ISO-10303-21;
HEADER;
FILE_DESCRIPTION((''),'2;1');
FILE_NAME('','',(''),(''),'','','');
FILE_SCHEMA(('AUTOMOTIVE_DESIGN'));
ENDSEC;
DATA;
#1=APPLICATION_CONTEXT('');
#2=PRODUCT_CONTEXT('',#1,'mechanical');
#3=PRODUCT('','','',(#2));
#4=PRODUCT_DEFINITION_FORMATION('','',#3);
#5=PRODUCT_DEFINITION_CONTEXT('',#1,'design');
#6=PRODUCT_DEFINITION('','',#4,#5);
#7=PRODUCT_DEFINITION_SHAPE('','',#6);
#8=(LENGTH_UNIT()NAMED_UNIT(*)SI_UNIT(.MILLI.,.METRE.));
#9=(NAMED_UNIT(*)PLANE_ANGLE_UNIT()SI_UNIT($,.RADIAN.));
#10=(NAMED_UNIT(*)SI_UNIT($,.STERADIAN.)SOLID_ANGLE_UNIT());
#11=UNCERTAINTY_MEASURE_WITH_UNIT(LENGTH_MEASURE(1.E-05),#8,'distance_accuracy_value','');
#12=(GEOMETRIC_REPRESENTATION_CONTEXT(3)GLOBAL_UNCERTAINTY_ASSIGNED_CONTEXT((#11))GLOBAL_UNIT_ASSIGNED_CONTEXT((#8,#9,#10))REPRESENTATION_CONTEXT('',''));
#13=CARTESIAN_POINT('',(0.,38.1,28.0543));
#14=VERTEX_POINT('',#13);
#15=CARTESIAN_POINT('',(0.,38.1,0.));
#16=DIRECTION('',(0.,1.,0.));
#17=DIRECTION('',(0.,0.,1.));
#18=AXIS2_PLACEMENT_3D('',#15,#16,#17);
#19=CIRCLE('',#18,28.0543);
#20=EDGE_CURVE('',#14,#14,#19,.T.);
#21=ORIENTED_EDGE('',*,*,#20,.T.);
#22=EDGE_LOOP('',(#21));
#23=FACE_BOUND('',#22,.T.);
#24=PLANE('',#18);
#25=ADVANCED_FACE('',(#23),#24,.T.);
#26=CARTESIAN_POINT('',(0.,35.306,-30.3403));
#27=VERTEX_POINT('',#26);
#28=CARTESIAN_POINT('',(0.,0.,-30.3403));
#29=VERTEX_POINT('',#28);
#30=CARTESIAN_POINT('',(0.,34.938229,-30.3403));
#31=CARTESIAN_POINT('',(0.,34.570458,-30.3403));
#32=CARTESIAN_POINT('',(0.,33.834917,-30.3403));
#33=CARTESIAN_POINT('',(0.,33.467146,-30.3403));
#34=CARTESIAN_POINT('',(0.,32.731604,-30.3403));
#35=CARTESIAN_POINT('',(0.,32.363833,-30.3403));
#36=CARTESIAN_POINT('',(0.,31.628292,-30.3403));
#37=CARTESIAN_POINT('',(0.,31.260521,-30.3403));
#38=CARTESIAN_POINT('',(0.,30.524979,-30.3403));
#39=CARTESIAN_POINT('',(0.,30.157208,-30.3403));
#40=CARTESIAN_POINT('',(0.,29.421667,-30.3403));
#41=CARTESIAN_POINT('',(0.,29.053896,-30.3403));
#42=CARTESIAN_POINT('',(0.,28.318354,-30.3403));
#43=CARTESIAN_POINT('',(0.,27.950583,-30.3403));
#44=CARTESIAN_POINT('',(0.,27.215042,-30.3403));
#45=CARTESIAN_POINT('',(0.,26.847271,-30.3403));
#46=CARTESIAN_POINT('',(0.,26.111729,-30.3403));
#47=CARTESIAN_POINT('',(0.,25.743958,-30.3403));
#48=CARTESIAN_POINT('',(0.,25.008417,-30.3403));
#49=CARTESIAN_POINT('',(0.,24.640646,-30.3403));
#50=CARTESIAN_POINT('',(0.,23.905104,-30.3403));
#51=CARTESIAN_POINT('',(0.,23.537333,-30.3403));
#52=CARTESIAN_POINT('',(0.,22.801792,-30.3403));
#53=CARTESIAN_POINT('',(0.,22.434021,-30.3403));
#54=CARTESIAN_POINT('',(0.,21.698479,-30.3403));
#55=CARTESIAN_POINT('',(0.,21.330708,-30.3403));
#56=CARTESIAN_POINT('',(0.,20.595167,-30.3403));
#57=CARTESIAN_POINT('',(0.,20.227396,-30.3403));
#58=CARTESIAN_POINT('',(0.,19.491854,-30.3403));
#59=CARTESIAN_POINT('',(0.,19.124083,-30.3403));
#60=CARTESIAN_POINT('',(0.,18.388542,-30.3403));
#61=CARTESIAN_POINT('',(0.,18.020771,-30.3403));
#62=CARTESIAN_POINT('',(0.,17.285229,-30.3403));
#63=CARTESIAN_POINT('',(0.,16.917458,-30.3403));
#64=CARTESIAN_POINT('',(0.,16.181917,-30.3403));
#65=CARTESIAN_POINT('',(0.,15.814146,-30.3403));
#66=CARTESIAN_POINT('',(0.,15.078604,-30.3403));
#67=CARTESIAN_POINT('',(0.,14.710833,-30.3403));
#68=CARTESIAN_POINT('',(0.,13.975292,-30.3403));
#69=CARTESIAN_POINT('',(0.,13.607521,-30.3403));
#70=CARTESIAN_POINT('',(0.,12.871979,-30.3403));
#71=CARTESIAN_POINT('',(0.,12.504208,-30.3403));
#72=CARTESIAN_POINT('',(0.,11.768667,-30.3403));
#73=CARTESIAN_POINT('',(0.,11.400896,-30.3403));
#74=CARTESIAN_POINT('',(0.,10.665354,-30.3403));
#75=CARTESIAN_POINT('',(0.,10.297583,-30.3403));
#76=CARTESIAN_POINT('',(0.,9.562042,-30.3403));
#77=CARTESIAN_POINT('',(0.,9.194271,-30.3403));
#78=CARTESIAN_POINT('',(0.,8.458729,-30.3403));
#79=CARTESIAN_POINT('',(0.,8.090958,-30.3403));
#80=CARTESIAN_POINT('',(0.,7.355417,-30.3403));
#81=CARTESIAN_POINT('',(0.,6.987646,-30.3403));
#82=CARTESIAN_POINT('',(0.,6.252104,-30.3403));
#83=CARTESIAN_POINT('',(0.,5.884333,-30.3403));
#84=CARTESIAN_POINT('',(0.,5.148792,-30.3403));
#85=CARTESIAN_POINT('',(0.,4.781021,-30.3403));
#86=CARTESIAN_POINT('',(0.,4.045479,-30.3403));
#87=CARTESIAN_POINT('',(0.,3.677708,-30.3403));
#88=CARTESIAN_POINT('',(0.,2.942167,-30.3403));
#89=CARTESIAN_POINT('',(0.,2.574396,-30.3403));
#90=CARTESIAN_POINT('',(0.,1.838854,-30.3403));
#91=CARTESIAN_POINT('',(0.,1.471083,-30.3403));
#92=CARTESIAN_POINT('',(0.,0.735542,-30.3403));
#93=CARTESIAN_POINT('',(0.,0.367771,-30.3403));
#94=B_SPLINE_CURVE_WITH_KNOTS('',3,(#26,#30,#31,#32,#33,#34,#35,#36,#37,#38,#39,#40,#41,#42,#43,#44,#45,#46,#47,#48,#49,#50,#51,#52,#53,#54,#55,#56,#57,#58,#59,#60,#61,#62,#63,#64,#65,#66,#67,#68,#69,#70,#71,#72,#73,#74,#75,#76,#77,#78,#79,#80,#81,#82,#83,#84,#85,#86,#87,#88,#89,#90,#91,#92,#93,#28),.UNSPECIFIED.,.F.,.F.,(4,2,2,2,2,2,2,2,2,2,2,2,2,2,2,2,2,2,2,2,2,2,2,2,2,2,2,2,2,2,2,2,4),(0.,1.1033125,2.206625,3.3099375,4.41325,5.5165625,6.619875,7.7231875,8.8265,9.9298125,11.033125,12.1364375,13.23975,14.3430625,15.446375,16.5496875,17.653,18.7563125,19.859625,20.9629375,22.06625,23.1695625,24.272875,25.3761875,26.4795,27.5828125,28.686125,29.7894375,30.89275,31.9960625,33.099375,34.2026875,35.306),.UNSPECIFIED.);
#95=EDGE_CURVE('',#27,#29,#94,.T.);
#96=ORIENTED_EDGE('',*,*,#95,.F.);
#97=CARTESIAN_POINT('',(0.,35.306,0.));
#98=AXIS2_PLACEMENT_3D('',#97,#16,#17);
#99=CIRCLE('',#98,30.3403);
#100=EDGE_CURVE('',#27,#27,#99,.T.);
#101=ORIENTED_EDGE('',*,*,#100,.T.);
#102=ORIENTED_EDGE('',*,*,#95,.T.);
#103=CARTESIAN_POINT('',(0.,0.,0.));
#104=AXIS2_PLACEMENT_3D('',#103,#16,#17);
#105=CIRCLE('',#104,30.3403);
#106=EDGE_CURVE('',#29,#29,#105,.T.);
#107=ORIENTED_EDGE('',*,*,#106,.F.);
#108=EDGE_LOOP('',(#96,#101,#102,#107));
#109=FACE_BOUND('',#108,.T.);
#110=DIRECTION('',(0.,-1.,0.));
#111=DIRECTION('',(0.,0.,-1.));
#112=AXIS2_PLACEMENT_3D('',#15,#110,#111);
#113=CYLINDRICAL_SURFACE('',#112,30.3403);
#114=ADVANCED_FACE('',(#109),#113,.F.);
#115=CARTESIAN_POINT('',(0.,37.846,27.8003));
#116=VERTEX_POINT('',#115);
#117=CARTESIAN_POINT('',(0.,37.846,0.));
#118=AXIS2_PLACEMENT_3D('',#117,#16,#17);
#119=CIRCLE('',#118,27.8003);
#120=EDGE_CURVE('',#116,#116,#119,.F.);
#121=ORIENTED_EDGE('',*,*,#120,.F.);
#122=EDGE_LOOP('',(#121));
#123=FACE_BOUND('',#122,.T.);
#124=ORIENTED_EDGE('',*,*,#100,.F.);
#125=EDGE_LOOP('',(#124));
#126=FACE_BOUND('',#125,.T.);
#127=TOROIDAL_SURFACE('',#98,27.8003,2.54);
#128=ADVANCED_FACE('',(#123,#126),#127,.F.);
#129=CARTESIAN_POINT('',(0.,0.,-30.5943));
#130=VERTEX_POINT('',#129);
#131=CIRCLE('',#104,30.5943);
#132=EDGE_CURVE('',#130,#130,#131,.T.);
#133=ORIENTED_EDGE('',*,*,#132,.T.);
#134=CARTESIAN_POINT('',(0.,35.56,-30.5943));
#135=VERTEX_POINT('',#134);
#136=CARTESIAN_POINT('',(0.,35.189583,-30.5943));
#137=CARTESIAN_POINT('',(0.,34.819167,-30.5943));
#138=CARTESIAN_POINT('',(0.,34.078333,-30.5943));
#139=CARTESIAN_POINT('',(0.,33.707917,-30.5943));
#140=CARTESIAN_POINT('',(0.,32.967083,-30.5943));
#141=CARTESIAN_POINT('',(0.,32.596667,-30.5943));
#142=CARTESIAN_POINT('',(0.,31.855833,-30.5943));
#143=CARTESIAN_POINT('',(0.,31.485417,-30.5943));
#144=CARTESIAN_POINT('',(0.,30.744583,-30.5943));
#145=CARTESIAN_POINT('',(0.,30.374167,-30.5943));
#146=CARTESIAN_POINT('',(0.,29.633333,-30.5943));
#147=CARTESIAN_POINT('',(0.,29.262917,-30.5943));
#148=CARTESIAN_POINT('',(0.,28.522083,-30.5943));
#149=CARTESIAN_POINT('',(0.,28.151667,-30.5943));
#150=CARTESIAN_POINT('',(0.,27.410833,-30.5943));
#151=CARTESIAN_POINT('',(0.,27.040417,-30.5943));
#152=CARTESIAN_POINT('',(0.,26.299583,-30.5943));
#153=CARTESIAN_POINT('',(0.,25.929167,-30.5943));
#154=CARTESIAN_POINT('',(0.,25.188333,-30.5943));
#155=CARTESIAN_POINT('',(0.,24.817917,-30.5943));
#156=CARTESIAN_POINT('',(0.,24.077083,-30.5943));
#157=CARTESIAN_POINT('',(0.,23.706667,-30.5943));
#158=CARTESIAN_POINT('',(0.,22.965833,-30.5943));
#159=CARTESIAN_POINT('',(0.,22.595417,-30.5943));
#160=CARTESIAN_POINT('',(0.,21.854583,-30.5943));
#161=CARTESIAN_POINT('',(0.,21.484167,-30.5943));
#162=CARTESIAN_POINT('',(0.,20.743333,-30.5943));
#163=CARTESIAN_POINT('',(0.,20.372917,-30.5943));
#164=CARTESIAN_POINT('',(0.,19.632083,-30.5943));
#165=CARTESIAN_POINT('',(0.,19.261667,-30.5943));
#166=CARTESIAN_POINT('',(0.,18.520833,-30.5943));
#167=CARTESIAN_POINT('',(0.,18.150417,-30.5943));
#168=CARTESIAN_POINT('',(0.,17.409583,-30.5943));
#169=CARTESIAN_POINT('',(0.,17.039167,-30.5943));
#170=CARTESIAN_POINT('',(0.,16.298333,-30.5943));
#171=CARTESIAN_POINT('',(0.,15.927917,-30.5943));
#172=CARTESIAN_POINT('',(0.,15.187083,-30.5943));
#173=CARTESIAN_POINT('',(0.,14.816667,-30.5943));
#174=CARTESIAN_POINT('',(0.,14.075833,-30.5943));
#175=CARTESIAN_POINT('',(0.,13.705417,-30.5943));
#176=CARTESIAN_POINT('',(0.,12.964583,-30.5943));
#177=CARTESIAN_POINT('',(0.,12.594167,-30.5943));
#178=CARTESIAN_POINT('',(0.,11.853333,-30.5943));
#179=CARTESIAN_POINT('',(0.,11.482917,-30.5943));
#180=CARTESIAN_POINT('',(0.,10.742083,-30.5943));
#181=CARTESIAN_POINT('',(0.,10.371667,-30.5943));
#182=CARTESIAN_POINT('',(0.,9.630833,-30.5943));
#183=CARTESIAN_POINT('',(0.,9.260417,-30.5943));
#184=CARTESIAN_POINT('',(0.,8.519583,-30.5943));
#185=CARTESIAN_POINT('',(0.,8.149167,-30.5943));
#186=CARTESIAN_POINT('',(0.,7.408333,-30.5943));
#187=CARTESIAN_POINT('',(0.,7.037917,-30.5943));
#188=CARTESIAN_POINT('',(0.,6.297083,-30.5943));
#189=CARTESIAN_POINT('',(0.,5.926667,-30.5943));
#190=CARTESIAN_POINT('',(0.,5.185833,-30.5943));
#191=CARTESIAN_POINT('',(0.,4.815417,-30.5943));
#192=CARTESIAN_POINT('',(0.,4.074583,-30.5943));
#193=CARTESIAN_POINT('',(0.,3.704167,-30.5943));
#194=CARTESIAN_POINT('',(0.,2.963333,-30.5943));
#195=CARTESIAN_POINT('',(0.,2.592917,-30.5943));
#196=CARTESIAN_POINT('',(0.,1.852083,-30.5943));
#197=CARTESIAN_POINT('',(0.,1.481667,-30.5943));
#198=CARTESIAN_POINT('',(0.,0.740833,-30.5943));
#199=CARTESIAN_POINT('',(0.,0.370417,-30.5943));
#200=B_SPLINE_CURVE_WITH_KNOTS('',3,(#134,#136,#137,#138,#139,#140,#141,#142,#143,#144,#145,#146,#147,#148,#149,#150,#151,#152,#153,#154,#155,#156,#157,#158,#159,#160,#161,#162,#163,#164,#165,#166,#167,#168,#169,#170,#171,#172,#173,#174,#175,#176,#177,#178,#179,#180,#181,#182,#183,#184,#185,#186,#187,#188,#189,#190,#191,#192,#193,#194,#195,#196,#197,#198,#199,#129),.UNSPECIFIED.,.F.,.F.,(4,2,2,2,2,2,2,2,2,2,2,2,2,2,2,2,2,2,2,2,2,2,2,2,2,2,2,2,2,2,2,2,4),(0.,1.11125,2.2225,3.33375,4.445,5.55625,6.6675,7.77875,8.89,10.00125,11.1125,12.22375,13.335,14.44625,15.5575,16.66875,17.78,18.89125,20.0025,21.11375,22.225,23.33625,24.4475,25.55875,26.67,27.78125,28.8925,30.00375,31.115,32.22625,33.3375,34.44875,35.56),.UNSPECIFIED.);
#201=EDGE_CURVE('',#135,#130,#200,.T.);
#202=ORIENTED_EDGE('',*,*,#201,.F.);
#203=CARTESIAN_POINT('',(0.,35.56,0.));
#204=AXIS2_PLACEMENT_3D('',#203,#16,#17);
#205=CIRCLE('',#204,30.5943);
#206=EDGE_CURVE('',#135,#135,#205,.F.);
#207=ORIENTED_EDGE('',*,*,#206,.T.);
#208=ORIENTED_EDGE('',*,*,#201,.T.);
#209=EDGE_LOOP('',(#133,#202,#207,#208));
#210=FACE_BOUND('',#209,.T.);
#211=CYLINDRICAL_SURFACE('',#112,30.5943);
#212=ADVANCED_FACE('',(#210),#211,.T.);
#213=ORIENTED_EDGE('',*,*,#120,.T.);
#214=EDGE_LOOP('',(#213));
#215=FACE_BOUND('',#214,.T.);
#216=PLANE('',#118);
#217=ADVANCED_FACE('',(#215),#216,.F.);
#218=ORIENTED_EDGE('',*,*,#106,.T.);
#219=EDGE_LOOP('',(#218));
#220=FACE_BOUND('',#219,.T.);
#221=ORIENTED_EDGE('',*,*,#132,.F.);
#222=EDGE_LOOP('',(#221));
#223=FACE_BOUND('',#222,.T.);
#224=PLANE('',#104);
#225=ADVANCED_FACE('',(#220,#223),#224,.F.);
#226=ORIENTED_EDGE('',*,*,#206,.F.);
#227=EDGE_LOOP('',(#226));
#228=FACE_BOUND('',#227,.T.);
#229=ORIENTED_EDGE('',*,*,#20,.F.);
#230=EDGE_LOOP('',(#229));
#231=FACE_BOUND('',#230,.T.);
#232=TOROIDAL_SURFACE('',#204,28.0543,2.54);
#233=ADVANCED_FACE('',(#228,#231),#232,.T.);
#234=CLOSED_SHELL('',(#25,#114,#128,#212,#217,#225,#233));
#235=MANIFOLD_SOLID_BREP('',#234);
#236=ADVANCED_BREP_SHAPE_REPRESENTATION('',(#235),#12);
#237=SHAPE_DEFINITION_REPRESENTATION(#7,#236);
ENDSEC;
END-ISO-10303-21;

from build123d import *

# Parameters (mm, degrees)
SKETCH1_R           = 30.5943
BOSS_EXTRUDE1_DEPTH = 38.1
SHELL1_T            = -0.254
FILLET1_R           = 2.54
FILLET2_R           = 2.54


with BuildPart() as part:
    # Sketch1 → Boss-Extrude1 (new body)
    with BuildSketch(Plane(origin=(0, 0, 0), x_dir=(1, 0, 0), z_dir=(0, 1, 0))):
        with Locations(Location((0, 0, 0), (0, 0, 90))):
            Circle(SKETCH1_R)
    extrude(amount=BOSS_EXTRUDE1_DEPTH)

    # Shell1
    shell1_openings = [part.faces().sort_by_distance(p)[0] for p in [
        (0, 0, 0),
    ]]
    offset(amount=SHELL1_T, openings=shell1_openings, kind=Kind.INTERSECTION)

    # Fillet1
    fillet1_edges = [part.edges().sort_by_distance(p)[0] for p in [
        (0, 37.846, 30.3403),
    ]]
    fillet(fillet1_edges, radius=FILLET1_R)

    # Fillet2
    fillet2_edges = [part.edges().sort_by_distance(p)[0] for p in [
        (0, 38.1, 30.5943),
    ]]
    fillet(fillet2_edges, radius=FILLET2_R)


solid = part.part
